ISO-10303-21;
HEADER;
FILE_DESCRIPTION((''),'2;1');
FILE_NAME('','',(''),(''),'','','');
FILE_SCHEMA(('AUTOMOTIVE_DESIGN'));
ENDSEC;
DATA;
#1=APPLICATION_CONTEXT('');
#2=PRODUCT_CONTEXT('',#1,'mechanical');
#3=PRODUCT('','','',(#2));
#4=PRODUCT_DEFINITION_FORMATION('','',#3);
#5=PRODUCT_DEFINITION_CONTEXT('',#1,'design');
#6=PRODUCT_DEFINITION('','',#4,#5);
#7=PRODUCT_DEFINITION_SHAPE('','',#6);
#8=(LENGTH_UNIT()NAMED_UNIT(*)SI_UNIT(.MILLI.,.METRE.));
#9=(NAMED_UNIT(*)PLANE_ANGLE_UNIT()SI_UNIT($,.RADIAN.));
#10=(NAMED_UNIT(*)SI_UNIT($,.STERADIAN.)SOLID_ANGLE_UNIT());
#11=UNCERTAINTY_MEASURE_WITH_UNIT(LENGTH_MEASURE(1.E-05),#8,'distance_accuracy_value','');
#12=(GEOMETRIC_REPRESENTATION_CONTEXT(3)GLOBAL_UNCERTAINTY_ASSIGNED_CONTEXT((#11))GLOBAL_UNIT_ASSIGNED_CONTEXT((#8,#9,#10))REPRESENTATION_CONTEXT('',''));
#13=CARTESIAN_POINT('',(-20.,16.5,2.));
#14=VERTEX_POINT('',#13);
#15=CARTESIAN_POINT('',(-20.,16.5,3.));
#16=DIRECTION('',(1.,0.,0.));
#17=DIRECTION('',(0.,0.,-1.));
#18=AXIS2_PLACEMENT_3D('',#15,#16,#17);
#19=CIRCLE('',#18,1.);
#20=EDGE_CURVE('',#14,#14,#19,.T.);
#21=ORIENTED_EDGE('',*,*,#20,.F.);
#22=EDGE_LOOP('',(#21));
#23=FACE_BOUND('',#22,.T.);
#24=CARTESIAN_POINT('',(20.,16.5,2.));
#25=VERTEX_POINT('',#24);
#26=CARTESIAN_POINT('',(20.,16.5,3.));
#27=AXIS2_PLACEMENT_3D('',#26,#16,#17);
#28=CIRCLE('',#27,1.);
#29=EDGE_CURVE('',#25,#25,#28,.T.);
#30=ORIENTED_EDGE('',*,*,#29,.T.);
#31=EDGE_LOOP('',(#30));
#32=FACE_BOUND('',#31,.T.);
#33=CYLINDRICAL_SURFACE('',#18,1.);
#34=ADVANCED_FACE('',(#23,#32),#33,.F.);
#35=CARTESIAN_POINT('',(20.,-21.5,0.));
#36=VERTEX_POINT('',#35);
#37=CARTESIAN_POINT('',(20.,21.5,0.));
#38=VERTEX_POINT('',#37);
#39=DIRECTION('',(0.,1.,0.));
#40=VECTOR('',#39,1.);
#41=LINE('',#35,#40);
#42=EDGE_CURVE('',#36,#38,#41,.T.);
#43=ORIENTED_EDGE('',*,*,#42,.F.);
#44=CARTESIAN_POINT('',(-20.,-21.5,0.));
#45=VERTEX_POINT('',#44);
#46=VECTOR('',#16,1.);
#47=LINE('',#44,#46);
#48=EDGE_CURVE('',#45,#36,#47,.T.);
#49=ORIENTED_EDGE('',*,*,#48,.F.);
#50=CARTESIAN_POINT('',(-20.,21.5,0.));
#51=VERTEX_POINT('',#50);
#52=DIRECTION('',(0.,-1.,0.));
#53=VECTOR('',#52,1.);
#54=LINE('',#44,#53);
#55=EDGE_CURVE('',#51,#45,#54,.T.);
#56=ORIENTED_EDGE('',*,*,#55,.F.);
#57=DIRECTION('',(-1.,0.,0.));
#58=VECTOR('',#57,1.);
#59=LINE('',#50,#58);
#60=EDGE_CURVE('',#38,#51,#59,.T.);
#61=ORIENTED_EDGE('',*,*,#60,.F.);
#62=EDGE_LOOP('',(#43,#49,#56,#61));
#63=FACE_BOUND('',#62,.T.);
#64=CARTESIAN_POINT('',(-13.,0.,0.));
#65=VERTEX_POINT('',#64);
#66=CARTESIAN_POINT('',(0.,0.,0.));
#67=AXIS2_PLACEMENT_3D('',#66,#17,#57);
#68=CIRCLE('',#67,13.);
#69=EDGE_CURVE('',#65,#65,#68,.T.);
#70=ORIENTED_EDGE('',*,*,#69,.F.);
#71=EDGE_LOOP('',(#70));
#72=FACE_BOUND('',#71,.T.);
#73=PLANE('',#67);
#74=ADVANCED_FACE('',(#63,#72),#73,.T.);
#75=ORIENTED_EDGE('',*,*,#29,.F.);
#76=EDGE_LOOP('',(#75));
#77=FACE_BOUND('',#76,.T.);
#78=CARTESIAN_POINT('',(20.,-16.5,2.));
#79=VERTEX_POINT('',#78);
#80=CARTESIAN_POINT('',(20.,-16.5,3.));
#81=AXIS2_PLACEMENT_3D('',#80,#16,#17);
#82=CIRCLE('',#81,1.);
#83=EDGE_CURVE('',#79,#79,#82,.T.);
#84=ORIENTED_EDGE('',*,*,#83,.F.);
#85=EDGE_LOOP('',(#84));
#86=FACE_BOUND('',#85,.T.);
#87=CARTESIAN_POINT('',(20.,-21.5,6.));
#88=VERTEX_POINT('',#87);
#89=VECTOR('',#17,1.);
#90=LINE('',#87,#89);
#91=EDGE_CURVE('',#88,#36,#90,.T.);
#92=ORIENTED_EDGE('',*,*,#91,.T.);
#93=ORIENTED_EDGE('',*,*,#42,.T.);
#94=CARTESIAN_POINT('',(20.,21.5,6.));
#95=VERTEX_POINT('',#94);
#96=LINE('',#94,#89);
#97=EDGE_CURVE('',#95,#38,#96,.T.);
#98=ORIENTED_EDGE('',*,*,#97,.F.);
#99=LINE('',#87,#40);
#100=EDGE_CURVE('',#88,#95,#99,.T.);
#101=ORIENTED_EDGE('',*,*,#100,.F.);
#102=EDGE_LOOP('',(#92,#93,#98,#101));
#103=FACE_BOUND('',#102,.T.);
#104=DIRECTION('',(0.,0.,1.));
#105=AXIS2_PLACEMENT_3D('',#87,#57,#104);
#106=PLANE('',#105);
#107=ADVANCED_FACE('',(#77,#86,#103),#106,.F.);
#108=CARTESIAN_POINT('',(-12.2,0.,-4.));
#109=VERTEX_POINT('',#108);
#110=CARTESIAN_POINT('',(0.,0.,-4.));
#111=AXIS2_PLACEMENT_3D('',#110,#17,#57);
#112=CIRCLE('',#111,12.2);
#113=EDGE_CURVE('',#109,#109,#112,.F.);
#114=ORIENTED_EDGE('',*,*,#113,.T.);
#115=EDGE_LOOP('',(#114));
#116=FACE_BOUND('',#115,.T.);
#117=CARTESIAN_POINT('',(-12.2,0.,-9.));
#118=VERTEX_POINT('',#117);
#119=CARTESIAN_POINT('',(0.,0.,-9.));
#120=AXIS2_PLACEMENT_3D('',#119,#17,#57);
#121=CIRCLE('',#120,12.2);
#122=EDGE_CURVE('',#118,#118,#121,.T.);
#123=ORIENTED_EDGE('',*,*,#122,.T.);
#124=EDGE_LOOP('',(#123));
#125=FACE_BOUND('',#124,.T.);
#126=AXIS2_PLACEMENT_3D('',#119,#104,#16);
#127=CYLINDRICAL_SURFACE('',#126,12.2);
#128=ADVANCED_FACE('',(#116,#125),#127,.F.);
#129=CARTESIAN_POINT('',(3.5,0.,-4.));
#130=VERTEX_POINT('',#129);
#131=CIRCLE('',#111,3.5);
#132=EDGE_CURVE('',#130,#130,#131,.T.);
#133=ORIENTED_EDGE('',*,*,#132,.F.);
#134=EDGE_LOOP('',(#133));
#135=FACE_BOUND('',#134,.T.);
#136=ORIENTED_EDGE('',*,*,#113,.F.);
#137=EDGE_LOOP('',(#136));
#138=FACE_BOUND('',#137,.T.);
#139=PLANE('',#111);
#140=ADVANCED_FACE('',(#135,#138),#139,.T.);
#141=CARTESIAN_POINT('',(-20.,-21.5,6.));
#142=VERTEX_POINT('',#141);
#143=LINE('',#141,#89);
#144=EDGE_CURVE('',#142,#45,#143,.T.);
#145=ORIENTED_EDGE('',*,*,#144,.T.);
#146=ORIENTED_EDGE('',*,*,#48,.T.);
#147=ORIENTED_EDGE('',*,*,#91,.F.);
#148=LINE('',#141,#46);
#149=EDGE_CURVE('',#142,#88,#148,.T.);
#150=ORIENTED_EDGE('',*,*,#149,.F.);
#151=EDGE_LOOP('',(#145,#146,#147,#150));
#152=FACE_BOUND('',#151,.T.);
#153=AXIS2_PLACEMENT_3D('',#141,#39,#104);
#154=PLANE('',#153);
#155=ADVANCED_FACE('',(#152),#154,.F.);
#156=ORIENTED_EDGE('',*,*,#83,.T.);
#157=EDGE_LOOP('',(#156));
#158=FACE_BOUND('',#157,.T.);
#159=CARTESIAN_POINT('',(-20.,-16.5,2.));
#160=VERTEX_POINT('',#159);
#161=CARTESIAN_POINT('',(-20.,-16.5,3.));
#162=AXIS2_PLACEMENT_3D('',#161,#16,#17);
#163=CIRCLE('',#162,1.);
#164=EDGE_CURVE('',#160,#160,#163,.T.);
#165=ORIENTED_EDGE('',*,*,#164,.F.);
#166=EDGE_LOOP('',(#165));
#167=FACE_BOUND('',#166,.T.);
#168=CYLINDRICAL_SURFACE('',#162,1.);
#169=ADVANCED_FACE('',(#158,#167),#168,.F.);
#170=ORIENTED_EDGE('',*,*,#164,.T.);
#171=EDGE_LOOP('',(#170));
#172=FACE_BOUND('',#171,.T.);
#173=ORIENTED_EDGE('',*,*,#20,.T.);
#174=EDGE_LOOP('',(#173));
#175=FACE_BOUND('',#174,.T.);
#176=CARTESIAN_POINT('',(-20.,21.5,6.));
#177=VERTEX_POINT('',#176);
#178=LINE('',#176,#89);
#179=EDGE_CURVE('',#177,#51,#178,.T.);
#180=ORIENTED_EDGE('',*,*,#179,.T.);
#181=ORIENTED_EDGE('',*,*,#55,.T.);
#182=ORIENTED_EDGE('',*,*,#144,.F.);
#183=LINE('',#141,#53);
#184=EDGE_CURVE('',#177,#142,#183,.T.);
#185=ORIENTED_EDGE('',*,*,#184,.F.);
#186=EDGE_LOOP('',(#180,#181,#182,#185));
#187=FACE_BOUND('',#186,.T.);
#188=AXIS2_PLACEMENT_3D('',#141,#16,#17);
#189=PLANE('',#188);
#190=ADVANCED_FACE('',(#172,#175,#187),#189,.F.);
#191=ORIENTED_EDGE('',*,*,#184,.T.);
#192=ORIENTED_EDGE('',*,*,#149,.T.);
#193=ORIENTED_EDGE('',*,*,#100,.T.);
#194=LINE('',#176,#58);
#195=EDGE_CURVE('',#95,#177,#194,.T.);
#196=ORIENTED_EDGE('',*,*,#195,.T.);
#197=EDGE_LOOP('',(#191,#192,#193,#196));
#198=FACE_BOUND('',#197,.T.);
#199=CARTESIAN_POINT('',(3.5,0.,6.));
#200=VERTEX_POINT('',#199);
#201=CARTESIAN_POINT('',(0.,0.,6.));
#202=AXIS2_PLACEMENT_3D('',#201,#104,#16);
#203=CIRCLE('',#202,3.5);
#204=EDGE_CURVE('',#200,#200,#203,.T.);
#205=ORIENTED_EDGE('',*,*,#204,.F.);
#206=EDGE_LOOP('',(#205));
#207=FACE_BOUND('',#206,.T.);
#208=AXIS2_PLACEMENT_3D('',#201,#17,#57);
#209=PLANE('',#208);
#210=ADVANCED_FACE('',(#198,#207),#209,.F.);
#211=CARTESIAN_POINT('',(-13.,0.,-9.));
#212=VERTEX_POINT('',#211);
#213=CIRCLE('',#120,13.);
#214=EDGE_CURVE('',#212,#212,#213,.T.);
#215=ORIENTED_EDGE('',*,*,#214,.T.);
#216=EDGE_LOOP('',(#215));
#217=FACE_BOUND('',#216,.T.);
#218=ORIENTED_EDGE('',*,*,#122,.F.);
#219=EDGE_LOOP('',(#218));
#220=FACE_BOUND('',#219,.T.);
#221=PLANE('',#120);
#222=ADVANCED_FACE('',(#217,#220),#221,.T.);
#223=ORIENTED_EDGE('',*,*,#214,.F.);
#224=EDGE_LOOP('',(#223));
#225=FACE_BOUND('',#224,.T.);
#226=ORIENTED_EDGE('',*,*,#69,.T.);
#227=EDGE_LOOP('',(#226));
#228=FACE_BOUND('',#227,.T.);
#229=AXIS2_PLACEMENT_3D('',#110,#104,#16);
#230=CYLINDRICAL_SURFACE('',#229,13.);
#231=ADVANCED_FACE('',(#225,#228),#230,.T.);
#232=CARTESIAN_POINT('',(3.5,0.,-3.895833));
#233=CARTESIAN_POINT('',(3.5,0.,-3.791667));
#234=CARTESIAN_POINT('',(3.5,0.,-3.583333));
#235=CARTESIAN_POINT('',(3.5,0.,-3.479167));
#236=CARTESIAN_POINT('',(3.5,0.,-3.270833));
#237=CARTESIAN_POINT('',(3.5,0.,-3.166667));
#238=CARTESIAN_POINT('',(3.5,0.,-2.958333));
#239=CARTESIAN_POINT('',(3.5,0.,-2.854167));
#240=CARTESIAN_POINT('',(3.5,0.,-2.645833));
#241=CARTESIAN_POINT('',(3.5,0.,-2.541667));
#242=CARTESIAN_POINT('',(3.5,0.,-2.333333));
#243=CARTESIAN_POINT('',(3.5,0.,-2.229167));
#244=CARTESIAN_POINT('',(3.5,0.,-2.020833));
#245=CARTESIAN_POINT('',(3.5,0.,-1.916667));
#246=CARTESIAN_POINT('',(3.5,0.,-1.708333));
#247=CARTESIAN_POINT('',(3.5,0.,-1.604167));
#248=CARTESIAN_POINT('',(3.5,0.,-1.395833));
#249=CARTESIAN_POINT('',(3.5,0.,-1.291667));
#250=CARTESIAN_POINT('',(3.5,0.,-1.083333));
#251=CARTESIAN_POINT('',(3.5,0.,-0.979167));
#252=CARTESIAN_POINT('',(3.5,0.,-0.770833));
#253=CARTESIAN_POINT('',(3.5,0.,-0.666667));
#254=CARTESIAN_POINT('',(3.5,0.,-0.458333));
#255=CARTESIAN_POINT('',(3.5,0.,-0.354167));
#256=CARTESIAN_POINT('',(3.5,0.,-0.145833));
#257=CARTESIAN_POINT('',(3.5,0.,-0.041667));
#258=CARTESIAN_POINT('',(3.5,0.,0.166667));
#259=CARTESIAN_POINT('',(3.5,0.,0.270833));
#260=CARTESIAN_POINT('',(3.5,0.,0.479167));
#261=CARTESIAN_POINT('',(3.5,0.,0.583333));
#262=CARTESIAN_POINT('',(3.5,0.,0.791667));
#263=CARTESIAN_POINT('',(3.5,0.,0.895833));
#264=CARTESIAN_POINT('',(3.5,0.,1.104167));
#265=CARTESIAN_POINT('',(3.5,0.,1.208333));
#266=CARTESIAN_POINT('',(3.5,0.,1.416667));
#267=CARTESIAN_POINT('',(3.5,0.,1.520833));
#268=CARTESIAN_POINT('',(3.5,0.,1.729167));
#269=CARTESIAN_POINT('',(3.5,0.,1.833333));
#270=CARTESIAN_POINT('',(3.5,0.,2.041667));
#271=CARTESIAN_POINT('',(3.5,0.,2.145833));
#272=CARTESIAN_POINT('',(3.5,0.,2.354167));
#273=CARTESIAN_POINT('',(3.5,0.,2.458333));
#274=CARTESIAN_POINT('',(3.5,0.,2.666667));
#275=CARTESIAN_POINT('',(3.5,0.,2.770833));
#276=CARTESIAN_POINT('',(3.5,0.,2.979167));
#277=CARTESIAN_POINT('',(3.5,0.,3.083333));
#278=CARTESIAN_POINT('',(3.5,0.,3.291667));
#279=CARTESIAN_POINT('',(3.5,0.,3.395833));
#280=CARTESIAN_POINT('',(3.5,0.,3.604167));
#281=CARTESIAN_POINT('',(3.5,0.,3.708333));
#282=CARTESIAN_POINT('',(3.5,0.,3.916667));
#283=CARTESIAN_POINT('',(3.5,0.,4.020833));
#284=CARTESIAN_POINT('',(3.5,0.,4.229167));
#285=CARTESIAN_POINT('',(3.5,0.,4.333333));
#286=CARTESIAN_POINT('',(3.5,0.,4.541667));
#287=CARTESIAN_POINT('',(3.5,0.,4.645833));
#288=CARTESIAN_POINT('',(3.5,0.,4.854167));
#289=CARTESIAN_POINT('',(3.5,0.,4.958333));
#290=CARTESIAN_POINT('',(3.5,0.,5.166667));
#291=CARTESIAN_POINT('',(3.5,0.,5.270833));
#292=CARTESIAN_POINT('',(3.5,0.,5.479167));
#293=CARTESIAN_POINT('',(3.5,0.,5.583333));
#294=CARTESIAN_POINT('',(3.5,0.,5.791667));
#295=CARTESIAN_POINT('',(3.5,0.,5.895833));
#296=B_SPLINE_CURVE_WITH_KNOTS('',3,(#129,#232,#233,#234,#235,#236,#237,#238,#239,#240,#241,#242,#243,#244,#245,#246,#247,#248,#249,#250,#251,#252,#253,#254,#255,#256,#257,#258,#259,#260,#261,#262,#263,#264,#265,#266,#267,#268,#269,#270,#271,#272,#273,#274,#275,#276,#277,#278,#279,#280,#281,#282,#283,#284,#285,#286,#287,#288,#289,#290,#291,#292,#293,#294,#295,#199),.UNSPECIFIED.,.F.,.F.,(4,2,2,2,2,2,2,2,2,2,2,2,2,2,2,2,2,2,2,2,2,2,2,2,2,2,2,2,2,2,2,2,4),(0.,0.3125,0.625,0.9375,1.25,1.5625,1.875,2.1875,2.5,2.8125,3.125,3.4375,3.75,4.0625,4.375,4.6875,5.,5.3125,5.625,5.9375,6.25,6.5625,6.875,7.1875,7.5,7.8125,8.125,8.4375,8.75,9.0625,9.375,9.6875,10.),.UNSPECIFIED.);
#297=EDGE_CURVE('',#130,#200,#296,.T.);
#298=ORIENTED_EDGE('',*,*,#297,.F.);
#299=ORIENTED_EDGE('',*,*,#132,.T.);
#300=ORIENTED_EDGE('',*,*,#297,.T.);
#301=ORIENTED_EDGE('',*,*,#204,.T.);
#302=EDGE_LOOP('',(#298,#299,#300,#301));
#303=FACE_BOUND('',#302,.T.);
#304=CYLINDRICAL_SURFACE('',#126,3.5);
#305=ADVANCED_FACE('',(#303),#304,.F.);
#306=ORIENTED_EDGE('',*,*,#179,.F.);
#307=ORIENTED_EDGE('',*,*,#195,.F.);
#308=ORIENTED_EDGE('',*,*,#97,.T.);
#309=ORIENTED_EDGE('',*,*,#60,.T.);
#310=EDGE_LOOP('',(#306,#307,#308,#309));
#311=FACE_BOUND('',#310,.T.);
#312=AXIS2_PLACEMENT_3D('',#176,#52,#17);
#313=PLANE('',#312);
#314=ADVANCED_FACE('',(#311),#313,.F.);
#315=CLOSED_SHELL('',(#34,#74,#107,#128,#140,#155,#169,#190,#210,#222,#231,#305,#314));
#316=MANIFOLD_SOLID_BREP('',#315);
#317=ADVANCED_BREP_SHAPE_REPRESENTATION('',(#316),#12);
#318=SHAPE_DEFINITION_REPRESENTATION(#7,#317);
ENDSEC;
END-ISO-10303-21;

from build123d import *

# Parameters (mm, degrees)
SKETCH_1_W          = 40
SKETCH_1_H          = 43
SKETCH_1_R          = 1.5
EXTRUDE_1_DEPTH     = 6
CUT_EXTRUDE_1_DEPTH = 46.806658905
SKETCH_3_R          = 13
EXTRUDE_2_DEPTH     = 4
SKETCH_4_R          = 13
SKETCH_4_R_2        = 12.2
EXTRUDE_3_DEPTH     = 5
SKETCH_5_R          = 3.5
CUT_EXTRUDE_2_DEPTH = 33.973474188


with BuildPart() as part:
    # 草图1 → 凸台-拉伸1 (new body)
    with BuildSketch(Plane.XY):
        Rectangle(SKETCH_1_W, SKETCH_1_H)
        Circle(SKETCH_1_R, mode=Mode.SUBTRACT)
    extrude(amount=EXTRUDE_1_DEPTH)

    # 草图2 → 切除-拉伸1 (cut, through all)
    with BuildSketch(Plane(origin=(20, 0, 0), x_dir=(0, 0, -1), z_dir=(1, 0, 0))):
        with BuildLine():
            ThreePointArc((-2, 16.5), (-2.292893219, 17.207106781), (-3, 17.5))
            Line((-3, 17.5), (-3, 15.5))
            ThreePointArc((-3, 15.5), (-2.292893219, 15.792893219), (-2, 16.5))
        make_face()
        with BuildLine():
            Line((-3, 15.5), (-3, 17.5))
            ThreePointArc((-3, 17.5), (-4, 16.5), (-3, 15.5))
        make_face()
        with BuildLine():
            ThreePointArc((-2, -16.5), (-2.292893219, -15.792893219), (-3, -15.5))
            Line((-3, -15.5), (-3, -17.5))
            ThreePointArc((-3, -17.5), (-2.292893219, -17.207106781), (-2, -16.5))
        make_face()
        with BuildLine():
            Line((-3, -17.5), (-3, -15.5))
            ThreePointArc((-3, -15.5), (-4, -16.5), (-3, -17.5))
        make_face()
    extrude(amount=-CUT_EXTRUDE_1_DEPTH, mode=Mode.SUBTRACT)

    # 草图3 → 凸台-拉伸2 (add)
    with BuildSketch(Plane(origin=(0, 0, 0), x_dir=(-1, 0, 0), z_dir=(0, 0, -1))):
        Circle(SKETCH_3_R)
    extrude(amount=EXTRUDE_2_DEPTH)

    # 草图4 → 凸台-拉伸3 (add)
    with BuildSketch(Plane(origin=(0, 0, -4), x_dir=(-1, 0, 0), z_dir=(0, 0, -1))):
        Circle(SKETCH_4_R)
        Circle(SKETCH_4_R_2, mode=Mode.SUBTRACT)
    extrude(amount=EXTRUDE_3_DEPTH)

    # 草图5 → 切除-拉伸2 (cut, through all)
    with BuildSketch(Plane.XY.offset(6)):
        Circle(SKETCH_5_R)
    extrude(amount=-CUT_EXTRUDE_2_DEPTH, mode=Mode.SUBTRACT)


solid = part.part
